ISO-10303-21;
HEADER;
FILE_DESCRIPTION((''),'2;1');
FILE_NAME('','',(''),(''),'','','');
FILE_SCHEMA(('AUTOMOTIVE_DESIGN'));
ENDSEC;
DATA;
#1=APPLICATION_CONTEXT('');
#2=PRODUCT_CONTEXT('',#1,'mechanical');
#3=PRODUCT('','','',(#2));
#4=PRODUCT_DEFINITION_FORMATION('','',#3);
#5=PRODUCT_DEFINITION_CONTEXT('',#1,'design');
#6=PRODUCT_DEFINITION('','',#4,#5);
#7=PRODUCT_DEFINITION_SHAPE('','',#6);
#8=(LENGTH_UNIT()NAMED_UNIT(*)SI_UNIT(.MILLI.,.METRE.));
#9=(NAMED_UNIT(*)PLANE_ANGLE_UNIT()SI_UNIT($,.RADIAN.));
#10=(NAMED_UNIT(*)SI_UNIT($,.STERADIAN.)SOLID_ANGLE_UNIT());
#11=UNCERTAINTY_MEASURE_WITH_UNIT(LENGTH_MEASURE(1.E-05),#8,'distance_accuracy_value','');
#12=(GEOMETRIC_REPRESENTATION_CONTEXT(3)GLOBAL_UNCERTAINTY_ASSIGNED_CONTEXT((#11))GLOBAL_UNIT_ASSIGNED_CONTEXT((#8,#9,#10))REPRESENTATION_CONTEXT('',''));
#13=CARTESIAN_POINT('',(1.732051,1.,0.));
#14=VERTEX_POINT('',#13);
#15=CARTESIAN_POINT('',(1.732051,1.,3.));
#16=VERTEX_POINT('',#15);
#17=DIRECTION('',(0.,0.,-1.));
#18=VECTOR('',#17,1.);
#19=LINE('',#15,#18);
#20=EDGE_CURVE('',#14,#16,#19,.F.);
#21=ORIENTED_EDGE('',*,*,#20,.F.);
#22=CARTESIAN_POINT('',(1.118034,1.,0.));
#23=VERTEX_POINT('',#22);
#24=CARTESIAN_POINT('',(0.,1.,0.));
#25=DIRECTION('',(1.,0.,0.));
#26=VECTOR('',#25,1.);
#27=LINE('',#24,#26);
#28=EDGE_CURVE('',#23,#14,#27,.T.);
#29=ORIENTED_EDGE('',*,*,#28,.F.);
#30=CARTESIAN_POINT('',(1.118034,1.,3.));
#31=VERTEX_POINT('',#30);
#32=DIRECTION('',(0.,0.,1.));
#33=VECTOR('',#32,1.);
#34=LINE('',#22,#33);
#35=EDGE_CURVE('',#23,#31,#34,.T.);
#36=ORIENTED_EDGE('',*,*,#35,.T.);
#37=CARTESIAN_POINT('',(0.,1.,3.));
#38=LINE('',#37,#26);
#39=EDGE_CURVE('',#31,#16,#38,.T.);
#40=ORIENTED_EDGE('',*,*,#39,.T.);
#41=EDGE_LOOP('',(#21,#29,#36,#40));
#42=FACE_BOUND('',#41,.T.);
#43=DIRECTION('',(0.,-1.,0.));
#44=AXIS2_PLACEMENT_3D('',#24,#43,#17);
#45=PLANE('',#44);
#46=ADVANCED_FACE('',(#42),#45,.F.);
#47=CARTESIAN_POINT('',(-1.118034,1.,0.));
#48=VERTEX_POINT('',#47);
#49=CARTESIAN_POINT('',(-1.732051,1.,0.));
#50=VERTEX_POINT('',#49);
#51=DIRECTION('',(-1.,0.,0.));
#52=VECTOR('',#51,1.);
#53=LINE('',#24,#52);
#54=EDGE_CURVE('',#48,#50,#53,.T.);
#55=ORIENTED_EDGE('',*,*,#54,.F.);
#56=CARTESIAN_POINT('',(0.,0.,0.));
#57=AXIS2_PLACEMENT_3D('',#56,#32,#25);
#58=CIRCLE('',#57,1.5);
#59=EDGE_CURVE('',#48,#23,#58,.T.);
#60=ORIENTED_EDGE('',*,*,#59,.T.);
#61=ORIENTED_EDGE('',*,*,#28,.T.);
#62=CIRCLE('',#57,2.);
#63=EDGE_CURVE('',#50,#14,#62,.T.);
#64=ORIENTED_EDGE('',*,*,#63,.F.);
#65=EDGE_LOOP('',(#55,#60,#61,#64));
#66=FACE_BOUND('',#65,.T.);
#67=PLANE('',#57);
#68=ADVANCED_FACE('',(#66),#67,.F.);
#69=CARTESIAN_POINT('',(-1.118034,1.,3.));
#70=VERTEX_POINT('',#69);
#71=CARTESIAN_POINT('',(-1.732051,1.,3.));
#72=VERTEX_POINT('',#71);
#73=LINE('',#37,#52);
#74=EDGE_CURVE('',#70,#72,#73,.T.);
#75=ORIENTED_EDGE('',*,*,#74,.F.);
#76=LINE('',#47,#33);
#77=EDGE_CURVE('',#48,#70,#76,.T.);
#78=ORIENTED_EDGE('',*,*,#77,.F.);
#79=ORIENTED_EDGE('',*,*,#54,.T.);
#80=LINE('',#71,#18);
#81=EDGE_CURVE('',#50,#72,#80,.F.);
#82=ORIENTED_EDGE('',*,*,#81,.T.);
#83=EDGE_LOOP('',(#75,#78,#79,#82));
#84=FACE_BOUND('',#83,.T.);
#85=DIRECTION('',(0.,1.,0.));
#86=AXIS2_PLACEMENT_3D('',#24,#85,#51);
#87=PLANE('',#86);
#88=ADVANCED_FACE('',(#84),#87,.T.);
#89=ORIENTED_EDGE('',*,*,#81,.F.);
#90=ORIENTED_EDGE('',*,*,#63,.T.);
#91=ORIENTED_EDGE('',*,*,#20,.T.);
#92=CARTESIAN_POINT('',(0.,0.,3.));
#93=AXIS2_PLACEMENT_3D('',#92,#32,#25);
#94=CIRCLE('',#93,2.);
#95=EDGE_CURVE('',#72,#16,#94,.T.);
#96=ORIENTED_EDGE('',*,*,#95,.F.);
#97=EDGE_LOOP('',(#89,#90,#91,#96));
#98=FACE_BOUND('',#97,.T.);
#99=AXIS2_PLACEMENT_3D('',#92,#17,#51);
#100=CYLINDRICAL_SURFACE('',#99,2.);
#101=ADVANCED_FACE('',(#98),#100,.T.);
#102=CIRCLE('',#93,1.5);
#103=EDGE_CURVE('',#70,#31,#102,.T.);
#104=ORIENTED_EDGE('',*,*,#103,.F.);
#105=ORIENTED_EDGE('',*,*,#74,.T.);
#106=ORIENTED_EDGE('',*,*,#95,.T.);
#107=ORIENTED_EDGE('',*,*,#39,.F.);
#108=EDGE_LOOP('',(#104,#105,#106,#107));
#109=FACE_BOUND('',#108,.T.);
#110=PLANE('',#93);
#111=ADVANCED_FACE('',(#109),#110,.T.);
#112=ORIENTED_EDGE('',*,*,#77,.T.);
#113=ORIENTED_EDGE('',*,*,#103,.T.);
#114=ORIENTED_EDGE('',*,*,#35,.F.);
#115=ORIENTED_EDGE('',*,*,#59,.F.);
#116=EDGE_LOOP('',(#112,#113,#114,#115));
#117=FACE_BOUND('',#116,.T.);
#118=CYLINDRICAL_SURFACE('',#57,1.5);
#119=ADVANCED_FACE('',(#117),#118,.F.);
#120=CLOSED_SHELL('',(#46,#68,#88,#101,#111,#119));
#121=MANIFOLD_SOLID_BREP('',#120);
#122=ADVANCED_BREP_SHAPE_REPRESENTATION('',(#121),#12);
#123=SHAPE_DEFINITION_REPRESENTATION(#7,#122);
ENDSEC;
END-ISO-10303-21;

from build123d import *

# Parameters (mm, degrees)
SKETCH1_R      = 2
EXTRUDE1_DEPTH = 3
SKETCH3_R      = 1.5
SKETCH3_W      = 4.104286597
SKETCH3_H      = 1.159075001
EXTRUDE3_DEPTH = 3


with BuildPart() as part:
    # Sketch1 → Extrude1 (new body)
    with BuildSketch(Plane.XY):
        Circle(SKETCH1_R)
    extrude(amount=EXTRUDE1_DEPTH)

    # Sketch3 → Extrude3 (cut)
    with BuildSketch(Plane.XY.offset(3)):
        Circle(SKETCH3_R)
        with Locations((0.008550597, 1.579537501)):
            Rectangle(SKETCH3_W, SKETCH3_H)
    extrude(amount=-EXTRUDE3_DEPTH, mode=Mode.SUBTRACT)


solid = part.part
